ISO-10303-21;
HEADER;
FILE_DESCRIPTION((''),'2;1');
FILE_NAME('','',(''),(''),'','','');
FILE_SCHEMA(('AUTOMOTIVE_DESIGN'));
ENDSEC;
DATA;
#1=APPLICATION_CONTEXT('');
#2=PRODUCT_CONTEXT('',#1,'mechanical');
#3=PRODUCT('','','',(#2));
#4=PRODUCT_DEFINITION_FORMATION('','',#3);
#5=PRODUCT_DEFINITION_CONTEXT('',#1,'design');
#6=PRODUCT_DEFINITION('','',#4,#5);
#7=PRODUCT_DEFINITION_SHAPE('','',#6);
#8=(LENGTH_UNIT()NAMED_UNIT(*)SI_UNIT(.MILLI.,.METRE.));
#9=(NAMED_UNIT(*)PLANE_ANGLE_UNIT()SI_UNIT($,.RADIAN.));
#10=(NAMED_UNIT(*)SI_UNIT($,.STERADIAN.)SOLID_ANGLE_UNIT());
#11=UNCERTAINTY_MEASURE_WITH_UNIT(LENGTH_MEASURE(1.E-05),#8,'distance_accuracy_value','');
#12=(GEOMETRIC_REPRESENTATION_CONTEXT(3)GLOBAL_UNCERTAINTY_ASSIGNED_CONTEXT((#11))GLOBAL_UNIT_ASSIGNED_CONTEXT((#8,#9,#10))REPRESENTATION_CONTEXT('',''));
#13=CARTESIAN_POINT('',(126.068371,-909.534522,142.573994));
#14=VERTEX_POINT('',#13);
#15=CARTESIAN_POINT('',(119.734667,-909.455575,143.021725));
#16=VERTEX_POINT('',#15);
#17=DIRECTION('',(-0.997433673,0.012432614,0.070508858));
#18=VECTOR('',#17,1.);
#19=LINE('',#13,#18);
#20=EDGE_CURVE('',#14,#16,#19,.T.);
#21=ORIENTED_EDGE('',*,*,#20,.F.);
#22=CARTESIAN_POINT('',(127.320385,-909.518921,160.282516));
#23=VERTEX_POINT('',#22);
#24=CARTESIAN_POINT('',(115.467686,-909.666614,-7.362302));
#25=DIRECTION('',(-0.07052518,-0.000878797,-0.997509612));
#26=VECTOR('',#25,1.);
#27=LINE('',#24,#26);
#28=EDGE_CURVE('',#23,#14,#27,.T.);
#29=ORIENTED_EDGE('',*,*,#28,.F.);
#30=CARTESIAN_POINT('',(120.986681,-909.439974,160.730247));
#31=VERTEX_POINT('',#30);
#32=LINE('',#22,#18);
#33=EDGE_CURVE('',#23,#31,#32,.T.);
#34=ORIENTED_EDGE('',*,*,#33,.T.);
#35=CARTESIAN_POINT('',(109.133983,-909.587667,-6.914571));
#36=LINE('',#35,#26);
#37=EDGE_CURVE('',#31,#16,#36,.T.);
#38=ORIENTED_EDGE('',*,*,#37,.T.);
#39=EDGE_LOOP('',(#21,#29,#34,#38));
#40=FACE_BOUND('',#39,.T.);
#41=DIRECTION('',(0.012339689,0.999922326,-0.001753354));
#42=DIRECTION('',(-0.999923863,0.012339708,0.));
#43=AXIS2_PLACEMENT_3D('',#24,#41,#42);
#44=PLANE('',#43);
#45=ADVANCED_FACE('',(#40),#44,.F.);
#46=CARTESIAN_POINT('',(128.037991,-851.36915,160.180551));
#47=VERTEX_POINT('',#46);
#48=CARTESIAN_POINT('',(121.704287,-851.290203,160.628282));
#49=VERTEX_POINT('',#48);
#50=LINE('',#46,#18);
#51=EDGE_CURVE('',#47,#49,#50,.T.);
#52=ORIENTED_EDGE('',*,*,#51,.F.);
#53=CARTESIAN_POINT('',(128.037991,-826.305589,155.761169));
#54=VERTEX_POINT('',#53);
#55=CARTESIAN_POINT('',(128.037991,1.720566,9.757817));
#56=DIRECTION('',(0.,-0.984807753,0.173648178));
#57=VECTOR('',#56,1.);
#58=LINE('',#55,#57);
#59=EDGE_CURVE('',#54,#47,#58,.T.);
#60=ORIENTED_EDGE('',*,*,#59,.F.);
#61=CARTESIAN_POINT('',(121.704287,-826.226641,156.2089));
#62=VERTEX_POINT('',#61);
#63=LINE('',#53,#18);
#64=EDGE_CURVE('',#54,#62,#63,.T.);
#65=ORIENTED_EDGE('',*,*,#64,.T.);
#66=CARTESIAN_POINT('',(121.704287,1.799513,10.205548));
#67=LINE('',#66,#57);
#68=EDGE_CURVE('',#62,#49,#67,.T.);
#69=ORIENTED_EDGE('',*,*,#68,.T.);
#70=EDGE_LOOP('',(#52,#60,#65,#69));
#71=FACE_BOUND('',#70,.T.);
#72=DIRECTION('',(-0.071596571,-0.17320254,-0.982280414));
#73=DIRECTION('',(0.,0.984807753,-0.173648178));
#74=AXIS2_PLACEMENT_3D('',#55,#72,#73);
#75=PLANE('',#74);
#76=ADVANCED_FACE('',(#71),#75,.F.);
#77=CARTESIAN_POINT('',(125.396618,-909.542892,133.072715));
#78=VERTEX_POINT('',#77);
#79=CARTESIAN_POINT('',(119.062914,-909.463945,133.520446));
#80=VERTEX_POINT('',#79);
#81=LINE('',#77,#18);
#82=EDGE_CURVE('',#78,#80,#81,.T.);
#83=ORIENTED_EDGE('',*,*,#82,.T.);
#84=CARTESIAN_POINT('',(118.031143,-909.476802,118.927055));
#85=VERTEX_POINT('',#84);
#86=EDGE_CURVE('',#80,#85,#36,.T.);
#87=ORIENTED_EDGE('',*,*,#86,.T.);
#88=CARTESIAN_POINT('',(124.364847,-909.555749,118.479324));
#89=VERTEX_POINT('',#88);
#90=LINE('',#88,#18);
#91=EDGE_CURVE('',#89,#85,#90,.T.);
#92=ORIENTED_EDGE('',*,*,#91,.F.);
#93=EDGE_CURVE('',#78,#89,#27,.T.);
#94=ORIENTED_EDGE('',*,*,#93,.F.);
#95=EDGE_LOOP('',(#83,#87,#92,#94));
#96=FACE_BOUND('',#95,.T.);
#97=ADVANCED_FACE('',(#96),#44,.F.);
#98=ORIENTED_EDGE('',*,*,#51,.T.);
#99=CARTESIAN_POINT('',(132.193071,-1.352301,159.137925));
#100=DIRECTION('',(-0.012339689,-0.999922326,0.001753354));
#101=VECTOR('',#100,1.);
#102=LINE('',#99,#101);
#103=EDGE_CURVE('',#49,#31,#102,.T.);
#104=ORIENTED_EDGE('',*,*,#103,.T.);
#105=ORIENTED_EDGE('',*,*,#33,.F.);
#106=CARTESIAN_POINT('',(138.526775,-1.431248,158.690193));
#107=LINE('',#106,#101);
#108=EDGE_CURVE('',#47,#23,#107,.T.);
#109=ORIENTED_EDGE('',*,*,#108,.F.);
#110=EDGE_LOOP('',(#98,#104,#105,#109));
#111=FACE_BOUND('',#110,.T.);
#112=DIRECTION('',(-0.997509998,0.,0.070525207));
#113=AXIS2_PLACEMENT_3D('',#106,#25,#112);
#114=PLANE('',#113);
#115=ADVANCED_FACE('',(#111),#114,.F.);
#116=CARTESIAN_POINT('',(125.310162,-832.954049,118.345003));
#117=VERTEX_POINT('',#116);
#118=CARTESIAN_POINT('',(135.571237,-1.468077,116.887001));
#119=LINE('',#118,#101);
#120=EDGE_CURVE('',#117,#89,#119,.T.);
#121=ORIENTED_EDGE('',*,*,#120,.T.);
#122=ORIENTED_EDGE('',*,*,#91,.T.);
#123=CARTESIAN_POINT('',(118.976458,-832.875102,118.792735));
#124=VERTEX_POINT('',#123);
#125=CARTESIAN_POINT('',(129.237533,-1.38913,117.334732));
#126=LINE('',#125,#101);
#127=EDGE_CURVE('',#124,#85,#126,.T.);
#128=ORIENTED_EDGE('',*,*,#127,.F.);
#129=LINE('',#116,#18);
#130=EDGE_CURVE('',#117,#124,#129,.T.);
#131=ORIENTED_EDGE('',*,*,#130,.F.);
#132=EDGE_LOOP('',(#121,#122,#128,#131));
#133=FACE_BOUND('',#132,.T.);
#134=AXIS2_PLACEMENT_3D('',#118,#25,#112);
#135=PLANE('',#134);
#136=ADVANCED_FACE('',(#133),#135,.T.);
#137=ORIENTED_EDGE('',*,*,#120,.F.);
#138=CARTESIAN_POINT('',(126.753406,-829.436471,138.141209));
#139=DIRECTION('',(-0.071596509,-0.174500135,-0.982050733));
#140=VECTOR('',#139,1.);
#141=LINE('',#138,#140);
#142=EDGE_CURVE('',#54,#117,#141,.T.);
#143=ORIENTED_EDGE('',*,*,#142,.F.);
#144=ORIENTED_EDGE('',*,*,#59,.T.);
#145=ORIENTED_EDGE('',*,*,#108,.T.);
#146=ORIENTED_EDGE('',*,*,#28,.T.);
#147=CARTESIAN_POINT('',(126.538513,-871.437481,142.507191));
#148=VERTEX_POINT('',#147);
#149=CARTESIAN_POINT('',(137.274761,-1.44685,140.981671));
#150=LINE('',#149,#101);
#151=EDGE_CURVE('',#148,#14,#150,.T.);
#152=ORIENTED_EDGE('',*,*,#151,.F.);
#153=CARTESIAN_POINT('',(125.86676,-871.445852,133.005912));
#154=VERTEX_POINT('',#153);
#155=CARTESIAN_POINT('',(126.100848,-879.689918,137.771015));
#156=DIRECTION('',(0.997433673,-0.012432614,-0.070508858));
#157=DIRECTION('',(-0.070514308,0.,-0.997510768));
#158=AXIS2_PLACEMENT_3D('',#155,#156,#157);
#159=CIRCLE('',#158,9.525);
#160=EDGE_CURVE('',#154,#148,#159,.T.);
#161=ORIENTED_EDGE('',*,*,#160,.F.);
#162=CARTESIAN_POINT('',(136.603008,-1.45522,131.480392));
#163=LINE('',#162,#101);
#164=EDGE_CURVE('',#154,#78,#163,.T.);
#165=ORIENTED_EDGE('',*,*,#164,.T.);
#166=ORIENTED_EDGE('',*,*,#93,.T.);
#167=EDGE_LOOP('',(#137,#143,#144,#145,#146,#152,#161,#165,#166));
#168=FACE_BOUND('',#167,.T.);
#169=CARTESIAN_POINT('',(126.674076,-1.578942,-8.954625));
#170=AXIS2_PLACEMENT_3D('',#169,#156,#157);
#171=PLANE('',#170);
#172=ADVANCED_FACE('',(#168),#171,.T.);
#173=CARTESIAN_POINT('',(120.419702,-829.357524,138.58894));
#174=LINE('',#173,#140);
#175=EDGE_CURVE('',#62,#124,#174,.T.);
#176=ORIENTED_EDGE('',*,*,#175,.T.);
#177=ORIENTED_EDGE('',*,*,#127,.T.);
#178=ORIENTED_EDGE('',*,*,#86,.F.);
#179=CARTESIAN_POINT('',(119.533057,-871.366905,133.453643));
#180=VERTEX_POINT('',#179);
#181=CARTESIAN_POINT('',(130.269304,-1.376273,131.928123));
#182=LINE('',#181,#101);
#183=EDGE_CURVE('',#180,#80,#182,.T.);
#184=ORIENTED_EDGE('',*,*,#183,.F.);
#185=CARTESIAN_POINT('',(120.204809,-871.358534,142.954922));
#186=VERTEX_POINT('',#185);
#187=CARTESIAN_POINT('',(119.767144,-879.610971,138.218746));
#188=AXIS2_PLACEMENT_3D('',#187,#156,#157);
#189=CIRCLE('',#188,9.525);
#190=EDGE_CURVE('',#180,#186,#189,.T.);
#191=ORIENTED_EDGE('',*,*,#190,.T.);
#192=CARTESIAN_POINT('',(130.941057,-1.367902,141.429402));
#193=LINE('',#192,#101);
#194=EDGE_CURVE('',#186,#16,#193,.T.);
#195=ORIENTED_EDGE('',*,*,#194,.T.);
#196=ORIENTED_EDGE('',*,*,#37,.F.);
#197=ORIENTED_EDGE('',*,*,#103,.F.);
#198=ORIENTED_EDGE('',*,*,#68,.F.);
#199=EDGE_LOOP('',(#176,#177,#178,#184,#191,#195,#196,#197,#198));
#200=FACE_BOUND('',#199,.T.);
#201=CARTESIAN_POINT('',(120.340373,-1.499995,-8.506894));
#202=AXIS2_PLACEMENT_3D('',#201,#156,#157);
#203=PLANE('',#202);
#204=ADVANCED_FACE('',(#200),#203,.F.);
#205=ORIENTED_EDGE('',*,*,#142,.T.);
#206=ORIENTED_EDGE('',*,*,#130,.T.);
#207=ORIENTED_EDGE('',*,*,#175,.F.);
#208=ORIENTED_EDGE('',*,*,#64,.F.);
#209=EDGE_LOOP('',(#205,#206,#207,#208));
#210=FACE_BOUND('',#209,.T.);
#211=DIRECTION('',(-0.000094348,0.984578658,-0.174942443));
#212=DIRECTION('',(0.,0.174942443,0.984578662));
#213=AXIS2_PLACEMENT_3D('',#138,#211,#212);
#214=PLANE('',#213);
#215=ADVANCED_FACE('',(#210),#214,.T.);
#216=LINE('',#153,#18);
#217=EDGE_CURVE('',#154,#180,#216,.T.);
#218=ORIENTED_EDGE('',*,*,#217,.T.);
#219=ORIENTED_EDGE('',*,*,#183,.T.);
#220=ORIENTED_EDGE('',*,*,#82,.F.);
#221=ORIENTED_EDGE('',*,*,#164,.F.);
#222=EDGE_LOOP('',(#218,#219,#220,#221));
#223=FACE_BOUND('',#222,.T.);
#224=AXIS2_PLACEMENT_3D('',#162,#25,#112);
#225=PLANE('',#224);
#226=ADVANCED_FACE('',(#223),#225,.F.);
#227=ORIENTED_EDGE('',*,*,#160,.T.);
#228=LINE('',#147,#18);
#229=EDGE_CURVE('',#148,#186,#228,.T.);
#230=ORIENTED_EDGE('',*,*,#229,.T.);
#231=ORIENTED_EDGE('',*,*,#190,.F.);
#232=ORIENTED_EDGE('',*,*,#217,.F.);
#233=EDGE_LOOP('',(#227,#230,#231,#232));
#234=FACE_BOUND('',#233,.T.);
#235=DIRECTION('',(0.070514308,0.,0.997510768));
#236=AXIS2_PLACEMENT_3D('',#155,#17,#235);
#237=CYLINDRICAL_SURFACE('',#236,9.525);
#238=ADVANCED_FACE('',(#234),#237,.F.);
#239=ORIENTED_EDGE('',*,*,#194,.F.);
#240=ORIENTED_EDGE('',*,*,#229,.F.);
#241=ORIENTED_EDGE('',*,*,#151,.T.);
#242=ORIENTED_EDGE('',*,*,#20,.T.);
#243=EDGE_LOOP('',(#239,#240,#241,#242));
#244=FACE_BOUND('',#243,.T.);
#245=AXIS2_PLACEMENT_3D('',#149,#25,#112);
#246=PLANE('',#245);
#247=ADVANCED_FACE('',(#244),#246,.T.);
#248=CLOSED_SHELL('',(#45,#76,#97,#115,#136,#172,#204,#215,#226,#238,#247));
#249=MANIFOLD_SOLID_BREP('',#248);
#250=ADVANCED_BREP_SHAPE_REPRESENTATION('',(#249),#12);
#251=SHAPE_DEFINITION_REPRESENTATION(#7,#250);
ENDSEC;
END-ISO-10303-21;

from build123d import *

# Parameters (mm, degrees)
BOSS_EXTRUDE1_DEPTH = 6.35


with BuildPart() as part:
    # Sketch1 → Boss-Extrude1 (new body)
    with BuildSketch(Plane(origin=(120.340372588, -1.499994886, -8.506893725), x_dir=(-0.07052518, -0.000878797, -0.997509612), z_dir=(0.997433673, -0.012432614, -0.070508858))):
        with BuildLine():
            Line((-157.673617622, -825.993121633), (-163.677010897, -824.934561423))
            Line((-163.677010897, -824.934561423), (-168.063361205, -850.003924474))
            Line((-168.063361205, -850.003924474), (-168.063361205, -908.15821278))
            Line((-168.063361205, -908.15821278), (-150.310627761, -908.15821278))
            Line((-150.310627761, -908.15821278), (-150.310627761, -870.05821278))
            ThreePointArc((-150.310627761, -870.05821278), (-145.548127761, -868.782104751), (-140.785627761, -870.05821278))
            Line((-140.785627761, -870.05821278), (-140.785627761, -908.15821278))
            Line((-140.785627761, -908.15821278), (-126.155802929, -908.15821278))
            Line((-126.155802929, -908.15821278), (-126.155802929, -831.550562736))
            Line((-126.155802929, -831.550562736), (-132.159196204, -830.492002526))
            Line((-132.159196204, -830.492002526), (-136.538277842, -855.519822856))
            Line((-136.538277842, -855.519822856), (-162.058583421, -851.054571785))
            Line((-162.058583421, -851.054571785), (-157.673617622, -825.993121633))
        make_face()
        Polygon((-132.159196204, -830.492002526), (-157.673617622, -825.993121633), (-162.058583421, -851.054571785), (-136.538277842, -855.519822856), align=None)
    extrude(amount=BOSS_EXTRUDE1_DEPTH)


solid = part.part
